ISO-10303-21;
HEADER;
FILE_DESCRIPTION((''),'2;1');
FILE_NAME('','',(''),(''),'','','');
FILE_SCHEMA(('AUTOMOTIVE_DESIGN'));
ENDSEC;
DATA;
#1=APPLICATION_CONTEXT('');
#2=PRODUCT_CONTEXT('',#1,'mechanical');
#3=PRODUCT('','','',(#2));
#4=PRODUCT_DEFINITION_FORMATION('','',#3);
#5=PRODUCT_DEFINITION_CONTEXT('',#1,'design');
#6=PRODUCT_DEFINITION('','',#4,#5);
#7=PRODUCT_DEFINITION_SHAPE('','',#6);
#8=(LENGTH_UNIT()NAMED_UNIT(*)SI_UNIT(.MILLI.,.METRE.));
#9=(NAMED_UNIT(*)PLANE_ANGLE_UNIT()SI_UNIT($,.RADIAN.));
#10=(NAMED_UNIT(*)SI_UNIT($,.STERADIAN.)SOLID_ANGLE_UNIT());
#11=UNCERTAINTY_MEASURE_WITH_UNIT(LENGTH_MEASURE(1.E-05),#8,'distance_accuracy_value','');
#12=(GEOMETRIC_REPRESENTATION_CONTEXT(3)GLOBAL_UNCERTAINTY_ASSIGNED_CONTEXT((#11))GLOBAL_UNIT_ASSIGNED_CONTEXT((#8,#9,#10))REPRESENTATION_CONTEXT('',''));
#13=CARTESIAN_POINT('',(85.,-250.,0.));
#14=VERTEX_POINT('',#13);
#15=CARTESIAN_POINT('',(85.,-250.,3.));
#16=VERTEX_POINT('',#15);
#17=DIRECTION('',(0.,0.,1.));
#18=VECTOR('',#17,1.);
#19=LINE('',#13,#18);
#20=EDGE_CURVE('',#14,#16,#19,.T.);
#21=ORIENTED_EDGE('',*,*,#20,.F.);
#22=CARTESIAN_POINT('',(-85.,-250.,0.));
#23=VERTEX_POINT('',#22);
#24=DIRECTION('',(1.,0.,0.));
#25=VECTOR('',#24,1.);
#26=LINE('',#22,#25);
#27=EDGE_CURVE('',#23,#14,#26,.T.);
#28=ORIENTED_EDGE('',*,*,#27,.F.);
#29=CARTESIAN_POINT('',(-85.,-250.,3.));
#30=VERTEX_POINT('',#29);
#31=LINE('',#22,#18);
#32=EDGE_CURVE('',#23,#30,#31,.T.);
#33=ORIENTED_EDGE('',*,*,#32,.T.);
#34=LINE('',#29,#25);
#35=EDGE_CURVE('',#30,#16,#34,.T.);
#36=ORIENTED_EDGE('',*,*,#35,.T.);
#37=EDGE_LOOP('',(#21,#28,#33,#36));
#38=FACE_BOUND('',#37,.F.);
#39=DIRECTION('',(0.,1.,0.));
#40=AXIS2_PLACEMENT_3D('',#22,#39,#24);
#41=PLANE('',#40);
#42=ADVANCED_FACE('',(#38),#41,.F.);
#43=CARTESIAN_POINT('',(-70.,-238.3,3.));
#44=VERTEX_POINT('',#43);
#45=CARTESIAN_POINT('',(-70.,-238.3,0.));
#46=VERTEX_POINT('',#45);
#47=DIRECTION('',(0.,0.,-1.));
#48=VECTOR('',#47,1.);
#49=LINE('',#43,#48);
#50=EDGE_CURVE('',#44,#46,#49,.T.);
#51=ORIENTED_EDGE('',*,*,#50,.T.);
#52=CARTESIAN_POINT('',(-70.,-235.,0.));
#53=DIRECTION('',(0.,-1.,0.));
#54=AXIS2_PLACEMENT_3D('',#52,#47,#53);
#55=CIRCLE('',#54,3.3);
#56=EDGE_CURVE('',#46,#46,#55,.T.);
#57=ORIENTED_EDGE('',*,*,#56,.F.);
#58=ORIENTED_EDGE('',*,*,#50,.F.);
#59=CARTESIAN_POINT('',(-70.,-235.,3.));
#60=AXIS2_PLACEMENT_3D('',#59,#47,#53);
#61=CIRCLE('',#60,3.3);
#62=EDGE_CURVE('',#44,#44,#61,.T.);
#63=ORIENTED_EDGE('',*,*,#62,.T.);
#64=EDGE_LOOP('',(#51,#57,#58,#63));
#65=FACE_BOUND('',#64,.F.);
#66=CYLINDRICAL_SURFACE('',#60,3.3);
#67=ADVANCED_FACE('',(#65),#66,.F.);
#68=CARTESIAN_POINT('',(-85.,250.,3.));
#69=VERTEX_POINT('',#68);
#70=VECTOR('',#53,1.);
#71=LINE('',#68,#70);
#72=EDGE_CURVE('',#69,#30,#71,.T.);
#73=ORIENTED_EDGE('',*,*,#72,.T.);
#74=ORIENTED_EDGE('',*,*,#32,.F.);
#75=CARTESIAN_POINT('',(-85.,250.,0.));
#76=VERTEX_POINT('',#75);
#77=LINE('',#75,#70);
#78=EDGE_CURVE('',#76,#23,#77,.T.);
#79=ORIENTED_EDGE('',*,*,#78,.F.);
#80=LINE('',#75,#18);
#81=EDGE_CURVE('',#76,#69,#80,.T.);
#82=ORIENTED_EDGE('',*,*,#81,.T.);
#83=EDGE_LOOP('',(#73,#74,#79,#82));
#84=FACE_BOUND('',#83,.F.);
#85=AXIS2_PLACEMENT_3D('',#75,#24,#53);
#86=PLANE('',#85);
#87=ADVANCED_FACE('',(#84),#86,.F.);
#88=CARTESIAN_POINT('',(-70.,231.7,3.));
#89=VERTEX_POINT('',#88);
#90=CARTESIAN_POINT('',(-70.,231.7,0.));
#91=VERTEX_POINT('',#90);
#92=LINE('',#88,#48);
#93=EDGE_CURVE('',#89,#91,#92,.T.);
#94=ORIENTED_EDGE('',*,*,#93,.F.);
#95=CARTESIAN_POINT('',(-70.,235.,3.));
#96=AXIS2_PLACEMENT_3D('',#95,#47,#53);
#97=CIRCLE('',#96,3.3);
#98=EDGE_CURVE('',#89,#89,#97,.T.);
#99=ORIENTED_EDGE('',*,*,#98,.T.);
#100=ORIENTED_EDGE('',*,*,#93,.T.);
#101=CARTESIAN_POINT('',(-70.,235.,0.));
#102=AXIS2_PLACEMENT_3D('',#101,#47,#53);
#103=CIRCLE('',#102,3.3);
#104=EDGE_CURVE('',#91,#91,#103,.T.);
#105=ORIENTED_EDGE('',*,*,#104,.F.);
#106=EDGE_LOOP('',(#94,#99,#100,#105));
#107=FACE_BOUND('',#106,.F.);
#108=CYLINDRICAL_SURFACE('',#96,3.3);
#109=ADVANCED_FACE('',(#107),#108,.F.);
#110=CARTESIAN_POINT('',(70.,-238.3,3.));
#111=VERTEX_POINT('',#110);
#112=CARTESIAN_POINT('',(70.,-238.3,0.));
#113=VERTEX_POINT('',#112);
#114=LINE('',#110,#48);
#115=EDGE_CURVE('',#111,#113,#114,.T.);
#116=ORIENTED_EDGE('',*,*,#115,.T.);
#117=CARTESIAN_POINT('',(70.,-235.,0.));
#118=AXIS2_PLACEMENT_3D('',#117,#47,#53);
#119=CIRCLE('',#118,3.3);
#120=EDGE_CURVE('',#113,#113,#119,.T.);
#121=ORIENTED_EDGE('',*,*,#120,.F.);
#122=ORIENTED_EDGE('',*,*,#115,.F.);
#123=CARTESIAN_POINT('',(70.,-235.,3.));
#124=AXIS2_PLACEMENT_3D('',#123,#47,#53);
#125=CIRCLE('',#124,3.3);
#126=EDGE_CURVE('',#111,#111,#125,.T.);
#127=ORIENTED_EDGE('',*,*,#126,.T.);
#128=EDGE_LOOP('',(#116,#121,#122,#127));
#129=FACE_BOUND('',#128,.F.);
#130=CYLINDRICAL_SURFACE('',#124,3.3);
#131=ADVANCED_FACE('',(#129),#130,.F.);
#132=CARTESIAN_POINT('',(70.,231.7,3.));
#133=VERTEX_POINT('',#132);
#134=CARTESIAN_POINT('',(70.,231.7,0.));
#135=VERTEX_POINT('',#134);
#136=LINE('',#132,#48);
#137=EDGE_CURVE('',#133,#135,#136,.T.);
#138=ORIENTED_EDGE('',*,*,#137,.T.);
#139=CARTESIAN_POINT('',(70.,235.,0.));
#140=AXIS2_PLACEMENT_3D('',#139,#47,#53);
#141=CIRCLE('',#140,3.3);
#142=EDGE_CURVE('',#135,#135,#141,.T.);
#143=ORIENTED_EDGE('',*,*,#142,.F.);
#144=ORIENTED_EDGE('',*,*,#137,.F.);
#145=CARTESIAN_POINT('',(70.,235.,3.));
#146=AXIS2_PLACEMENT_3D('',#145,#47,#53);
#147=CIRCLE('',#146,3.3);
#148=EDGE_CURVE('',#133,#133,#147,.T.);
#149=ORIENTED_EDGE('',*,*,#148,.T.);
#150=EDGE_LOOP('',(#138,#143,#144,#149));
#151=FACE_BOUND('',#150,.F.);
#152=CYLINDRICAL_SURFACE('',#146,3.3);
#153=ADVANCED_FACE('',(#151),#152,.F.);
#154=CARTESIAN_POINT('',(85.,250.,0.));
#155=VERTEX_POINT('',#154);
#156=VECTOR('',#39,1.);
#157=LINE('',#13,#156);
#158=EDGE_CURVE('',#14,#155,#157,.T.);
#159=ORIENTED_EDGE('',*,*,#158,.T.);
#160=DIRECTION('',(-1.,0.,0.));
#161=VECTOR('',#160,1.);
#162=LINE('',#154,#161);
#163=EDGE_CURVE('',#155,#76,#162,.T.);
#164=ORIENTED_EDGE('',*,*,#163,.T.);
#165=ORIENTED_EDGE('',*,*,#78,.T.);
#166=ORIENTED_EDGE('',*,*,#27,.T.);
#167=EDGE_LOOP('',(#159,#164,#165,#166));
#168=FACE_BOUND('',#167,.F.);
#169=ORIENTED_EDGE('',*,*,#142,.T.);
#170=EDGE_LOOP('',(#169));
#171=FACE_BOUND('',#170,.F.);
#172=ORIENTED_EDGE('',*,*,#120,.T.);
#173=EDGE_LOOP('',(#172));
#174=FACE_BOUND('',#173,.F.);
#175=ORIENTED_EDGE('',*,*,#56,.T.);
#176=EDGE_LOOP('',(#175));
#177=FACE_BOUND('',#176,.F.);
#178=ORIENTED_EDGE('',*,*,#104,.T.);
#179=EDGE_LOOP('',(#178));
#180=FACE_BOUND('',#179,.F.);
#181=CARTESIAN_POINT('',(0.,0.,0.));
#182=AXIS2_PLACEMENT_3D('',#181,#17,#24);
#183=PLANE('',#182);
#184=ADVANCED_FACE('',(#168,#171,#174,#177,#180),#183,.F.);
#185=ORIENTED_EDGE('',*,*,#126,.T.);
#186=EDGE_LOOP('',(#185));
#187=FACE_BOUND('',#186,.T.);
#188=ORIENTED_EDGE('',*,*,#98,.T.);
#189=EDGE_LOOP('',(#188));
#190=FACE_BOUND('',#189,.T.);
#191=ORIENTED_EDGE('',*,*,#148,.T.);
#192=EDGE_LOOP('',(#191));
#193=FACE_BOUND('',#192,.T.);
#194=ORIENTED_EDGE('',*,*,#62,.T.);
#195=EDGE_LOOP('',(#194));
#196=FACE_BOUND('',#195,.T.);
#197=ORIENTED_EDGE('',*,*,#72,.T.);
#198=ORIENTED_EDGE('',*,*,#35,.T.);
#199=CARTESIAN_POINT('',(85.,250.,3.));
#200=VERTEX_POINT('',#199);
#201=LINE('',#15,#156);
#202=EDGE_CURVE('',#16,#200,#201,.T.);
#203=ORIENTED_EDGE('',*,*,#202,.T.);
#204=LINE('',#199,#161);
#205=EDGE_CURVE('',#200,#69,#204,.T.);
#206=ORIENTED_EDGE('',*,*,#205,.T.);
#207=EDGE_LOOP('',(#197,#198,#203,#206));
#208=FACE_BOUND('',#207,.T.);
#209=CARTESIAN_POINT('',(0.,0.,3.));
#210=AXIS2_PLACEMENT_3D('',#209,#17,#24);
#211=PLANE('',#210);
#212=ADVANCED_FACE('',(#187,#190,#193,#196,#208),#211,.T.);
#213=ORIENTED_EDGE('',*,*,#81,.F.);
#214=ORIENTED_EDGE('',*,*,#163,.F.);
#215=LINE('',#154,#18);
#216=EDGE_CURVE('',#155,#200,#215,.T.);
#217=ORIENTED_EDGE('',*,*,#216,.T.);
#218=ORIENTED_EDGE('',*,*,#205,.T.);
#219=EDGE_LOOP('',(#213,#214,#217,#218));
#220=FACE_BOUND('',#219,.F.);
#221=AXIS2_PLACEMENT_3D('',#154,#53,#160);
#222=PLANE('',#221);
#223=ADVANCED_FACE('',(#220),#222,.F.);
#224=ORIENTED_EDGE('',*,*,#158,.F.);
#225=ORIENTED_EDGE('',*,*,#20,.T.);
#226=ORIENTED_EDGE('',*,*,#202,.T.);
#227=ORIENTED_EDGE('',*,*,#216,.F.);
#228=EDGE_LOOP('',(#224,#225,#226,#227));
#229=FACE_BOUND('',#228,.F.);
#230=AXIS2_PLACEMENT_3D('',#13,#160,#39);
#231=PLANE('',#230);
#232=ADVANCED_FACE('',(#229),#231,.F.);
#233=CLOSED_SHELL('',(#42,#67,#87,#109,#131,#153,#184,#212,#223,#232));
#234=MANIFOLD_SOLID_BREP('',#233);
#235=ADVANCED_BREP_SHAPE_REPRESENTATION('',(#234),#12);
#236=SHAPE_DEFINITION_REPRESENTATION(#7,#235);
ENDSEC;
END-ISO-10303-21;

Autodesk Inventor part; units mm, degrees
ref_plane "YZ Plane" through (0, 0, 0) normal (1, 0, 0) x (0, 1, 0)
ref_plane "XZ Plane" through (0, 0, 0) normal (0, 1, 0) x (-1, 0, 0)
ref_plane "XY Plane" through (0, 0, 0) normal (0, 0, 1) x (1, 0, 0)
sketch "スケッチ2" plane through (0, 0, 0) normal (0, 0, 1) x (1, 0, 0)
  line L0 (85, 250) -> (-85, 250)
  line L1 (-85, 250) -> (-85, -250)
  line L2 (-85, -250) -> (85, -250)
  line L3 (85, -250) -> (85, 250)
  line L4 (85, 250) -> (-85, -250) construction
  line L5 (-85, 250) -> (85, -250) construction
  point P0 (0, 0)
  dimension "d0" = 170
  dimension "d1" = 500
extrude "押し出し1" add sketch "スケッチ2" along normal blind 3
sketch "スケッチ3" plane through (0, 0, 3) normal (0, 0, 1) x (1, 0, 0)
  line L0 (-85, 250) -> (-85, -250) construction
  line L1 (-85, -250) -> (85, -250) construction
  line L2 (85, -250) -> (85, 250) construction
  line L3 (85, 250) -> (-85, 250) construction
  line L4 (70, 235) -> (-70, 235) construction
  line L5 (-70, 235) -> (-70, -235) construction
  line L6 (-70, -235) -> (70, -235) construction
  line L7 (70, -235) -> (70, 235) construction
  line L8 (70, 235) -> (-70, -235) construction
  line L9 (-70, 235) -> (70, -235) construction
  point P0 (0, 0)
  dimension "d4" = 15
  dimension "d5" = 15
hole "穴1" at (-70, 235, 3) at (70, 235, 3) at (70, -235, 3) at (-70, -235, 3) direction (0, 0, -1) diameter 6.6 end through all
equation "\"d5\" = d4"
properties part number "side_panel_01"
